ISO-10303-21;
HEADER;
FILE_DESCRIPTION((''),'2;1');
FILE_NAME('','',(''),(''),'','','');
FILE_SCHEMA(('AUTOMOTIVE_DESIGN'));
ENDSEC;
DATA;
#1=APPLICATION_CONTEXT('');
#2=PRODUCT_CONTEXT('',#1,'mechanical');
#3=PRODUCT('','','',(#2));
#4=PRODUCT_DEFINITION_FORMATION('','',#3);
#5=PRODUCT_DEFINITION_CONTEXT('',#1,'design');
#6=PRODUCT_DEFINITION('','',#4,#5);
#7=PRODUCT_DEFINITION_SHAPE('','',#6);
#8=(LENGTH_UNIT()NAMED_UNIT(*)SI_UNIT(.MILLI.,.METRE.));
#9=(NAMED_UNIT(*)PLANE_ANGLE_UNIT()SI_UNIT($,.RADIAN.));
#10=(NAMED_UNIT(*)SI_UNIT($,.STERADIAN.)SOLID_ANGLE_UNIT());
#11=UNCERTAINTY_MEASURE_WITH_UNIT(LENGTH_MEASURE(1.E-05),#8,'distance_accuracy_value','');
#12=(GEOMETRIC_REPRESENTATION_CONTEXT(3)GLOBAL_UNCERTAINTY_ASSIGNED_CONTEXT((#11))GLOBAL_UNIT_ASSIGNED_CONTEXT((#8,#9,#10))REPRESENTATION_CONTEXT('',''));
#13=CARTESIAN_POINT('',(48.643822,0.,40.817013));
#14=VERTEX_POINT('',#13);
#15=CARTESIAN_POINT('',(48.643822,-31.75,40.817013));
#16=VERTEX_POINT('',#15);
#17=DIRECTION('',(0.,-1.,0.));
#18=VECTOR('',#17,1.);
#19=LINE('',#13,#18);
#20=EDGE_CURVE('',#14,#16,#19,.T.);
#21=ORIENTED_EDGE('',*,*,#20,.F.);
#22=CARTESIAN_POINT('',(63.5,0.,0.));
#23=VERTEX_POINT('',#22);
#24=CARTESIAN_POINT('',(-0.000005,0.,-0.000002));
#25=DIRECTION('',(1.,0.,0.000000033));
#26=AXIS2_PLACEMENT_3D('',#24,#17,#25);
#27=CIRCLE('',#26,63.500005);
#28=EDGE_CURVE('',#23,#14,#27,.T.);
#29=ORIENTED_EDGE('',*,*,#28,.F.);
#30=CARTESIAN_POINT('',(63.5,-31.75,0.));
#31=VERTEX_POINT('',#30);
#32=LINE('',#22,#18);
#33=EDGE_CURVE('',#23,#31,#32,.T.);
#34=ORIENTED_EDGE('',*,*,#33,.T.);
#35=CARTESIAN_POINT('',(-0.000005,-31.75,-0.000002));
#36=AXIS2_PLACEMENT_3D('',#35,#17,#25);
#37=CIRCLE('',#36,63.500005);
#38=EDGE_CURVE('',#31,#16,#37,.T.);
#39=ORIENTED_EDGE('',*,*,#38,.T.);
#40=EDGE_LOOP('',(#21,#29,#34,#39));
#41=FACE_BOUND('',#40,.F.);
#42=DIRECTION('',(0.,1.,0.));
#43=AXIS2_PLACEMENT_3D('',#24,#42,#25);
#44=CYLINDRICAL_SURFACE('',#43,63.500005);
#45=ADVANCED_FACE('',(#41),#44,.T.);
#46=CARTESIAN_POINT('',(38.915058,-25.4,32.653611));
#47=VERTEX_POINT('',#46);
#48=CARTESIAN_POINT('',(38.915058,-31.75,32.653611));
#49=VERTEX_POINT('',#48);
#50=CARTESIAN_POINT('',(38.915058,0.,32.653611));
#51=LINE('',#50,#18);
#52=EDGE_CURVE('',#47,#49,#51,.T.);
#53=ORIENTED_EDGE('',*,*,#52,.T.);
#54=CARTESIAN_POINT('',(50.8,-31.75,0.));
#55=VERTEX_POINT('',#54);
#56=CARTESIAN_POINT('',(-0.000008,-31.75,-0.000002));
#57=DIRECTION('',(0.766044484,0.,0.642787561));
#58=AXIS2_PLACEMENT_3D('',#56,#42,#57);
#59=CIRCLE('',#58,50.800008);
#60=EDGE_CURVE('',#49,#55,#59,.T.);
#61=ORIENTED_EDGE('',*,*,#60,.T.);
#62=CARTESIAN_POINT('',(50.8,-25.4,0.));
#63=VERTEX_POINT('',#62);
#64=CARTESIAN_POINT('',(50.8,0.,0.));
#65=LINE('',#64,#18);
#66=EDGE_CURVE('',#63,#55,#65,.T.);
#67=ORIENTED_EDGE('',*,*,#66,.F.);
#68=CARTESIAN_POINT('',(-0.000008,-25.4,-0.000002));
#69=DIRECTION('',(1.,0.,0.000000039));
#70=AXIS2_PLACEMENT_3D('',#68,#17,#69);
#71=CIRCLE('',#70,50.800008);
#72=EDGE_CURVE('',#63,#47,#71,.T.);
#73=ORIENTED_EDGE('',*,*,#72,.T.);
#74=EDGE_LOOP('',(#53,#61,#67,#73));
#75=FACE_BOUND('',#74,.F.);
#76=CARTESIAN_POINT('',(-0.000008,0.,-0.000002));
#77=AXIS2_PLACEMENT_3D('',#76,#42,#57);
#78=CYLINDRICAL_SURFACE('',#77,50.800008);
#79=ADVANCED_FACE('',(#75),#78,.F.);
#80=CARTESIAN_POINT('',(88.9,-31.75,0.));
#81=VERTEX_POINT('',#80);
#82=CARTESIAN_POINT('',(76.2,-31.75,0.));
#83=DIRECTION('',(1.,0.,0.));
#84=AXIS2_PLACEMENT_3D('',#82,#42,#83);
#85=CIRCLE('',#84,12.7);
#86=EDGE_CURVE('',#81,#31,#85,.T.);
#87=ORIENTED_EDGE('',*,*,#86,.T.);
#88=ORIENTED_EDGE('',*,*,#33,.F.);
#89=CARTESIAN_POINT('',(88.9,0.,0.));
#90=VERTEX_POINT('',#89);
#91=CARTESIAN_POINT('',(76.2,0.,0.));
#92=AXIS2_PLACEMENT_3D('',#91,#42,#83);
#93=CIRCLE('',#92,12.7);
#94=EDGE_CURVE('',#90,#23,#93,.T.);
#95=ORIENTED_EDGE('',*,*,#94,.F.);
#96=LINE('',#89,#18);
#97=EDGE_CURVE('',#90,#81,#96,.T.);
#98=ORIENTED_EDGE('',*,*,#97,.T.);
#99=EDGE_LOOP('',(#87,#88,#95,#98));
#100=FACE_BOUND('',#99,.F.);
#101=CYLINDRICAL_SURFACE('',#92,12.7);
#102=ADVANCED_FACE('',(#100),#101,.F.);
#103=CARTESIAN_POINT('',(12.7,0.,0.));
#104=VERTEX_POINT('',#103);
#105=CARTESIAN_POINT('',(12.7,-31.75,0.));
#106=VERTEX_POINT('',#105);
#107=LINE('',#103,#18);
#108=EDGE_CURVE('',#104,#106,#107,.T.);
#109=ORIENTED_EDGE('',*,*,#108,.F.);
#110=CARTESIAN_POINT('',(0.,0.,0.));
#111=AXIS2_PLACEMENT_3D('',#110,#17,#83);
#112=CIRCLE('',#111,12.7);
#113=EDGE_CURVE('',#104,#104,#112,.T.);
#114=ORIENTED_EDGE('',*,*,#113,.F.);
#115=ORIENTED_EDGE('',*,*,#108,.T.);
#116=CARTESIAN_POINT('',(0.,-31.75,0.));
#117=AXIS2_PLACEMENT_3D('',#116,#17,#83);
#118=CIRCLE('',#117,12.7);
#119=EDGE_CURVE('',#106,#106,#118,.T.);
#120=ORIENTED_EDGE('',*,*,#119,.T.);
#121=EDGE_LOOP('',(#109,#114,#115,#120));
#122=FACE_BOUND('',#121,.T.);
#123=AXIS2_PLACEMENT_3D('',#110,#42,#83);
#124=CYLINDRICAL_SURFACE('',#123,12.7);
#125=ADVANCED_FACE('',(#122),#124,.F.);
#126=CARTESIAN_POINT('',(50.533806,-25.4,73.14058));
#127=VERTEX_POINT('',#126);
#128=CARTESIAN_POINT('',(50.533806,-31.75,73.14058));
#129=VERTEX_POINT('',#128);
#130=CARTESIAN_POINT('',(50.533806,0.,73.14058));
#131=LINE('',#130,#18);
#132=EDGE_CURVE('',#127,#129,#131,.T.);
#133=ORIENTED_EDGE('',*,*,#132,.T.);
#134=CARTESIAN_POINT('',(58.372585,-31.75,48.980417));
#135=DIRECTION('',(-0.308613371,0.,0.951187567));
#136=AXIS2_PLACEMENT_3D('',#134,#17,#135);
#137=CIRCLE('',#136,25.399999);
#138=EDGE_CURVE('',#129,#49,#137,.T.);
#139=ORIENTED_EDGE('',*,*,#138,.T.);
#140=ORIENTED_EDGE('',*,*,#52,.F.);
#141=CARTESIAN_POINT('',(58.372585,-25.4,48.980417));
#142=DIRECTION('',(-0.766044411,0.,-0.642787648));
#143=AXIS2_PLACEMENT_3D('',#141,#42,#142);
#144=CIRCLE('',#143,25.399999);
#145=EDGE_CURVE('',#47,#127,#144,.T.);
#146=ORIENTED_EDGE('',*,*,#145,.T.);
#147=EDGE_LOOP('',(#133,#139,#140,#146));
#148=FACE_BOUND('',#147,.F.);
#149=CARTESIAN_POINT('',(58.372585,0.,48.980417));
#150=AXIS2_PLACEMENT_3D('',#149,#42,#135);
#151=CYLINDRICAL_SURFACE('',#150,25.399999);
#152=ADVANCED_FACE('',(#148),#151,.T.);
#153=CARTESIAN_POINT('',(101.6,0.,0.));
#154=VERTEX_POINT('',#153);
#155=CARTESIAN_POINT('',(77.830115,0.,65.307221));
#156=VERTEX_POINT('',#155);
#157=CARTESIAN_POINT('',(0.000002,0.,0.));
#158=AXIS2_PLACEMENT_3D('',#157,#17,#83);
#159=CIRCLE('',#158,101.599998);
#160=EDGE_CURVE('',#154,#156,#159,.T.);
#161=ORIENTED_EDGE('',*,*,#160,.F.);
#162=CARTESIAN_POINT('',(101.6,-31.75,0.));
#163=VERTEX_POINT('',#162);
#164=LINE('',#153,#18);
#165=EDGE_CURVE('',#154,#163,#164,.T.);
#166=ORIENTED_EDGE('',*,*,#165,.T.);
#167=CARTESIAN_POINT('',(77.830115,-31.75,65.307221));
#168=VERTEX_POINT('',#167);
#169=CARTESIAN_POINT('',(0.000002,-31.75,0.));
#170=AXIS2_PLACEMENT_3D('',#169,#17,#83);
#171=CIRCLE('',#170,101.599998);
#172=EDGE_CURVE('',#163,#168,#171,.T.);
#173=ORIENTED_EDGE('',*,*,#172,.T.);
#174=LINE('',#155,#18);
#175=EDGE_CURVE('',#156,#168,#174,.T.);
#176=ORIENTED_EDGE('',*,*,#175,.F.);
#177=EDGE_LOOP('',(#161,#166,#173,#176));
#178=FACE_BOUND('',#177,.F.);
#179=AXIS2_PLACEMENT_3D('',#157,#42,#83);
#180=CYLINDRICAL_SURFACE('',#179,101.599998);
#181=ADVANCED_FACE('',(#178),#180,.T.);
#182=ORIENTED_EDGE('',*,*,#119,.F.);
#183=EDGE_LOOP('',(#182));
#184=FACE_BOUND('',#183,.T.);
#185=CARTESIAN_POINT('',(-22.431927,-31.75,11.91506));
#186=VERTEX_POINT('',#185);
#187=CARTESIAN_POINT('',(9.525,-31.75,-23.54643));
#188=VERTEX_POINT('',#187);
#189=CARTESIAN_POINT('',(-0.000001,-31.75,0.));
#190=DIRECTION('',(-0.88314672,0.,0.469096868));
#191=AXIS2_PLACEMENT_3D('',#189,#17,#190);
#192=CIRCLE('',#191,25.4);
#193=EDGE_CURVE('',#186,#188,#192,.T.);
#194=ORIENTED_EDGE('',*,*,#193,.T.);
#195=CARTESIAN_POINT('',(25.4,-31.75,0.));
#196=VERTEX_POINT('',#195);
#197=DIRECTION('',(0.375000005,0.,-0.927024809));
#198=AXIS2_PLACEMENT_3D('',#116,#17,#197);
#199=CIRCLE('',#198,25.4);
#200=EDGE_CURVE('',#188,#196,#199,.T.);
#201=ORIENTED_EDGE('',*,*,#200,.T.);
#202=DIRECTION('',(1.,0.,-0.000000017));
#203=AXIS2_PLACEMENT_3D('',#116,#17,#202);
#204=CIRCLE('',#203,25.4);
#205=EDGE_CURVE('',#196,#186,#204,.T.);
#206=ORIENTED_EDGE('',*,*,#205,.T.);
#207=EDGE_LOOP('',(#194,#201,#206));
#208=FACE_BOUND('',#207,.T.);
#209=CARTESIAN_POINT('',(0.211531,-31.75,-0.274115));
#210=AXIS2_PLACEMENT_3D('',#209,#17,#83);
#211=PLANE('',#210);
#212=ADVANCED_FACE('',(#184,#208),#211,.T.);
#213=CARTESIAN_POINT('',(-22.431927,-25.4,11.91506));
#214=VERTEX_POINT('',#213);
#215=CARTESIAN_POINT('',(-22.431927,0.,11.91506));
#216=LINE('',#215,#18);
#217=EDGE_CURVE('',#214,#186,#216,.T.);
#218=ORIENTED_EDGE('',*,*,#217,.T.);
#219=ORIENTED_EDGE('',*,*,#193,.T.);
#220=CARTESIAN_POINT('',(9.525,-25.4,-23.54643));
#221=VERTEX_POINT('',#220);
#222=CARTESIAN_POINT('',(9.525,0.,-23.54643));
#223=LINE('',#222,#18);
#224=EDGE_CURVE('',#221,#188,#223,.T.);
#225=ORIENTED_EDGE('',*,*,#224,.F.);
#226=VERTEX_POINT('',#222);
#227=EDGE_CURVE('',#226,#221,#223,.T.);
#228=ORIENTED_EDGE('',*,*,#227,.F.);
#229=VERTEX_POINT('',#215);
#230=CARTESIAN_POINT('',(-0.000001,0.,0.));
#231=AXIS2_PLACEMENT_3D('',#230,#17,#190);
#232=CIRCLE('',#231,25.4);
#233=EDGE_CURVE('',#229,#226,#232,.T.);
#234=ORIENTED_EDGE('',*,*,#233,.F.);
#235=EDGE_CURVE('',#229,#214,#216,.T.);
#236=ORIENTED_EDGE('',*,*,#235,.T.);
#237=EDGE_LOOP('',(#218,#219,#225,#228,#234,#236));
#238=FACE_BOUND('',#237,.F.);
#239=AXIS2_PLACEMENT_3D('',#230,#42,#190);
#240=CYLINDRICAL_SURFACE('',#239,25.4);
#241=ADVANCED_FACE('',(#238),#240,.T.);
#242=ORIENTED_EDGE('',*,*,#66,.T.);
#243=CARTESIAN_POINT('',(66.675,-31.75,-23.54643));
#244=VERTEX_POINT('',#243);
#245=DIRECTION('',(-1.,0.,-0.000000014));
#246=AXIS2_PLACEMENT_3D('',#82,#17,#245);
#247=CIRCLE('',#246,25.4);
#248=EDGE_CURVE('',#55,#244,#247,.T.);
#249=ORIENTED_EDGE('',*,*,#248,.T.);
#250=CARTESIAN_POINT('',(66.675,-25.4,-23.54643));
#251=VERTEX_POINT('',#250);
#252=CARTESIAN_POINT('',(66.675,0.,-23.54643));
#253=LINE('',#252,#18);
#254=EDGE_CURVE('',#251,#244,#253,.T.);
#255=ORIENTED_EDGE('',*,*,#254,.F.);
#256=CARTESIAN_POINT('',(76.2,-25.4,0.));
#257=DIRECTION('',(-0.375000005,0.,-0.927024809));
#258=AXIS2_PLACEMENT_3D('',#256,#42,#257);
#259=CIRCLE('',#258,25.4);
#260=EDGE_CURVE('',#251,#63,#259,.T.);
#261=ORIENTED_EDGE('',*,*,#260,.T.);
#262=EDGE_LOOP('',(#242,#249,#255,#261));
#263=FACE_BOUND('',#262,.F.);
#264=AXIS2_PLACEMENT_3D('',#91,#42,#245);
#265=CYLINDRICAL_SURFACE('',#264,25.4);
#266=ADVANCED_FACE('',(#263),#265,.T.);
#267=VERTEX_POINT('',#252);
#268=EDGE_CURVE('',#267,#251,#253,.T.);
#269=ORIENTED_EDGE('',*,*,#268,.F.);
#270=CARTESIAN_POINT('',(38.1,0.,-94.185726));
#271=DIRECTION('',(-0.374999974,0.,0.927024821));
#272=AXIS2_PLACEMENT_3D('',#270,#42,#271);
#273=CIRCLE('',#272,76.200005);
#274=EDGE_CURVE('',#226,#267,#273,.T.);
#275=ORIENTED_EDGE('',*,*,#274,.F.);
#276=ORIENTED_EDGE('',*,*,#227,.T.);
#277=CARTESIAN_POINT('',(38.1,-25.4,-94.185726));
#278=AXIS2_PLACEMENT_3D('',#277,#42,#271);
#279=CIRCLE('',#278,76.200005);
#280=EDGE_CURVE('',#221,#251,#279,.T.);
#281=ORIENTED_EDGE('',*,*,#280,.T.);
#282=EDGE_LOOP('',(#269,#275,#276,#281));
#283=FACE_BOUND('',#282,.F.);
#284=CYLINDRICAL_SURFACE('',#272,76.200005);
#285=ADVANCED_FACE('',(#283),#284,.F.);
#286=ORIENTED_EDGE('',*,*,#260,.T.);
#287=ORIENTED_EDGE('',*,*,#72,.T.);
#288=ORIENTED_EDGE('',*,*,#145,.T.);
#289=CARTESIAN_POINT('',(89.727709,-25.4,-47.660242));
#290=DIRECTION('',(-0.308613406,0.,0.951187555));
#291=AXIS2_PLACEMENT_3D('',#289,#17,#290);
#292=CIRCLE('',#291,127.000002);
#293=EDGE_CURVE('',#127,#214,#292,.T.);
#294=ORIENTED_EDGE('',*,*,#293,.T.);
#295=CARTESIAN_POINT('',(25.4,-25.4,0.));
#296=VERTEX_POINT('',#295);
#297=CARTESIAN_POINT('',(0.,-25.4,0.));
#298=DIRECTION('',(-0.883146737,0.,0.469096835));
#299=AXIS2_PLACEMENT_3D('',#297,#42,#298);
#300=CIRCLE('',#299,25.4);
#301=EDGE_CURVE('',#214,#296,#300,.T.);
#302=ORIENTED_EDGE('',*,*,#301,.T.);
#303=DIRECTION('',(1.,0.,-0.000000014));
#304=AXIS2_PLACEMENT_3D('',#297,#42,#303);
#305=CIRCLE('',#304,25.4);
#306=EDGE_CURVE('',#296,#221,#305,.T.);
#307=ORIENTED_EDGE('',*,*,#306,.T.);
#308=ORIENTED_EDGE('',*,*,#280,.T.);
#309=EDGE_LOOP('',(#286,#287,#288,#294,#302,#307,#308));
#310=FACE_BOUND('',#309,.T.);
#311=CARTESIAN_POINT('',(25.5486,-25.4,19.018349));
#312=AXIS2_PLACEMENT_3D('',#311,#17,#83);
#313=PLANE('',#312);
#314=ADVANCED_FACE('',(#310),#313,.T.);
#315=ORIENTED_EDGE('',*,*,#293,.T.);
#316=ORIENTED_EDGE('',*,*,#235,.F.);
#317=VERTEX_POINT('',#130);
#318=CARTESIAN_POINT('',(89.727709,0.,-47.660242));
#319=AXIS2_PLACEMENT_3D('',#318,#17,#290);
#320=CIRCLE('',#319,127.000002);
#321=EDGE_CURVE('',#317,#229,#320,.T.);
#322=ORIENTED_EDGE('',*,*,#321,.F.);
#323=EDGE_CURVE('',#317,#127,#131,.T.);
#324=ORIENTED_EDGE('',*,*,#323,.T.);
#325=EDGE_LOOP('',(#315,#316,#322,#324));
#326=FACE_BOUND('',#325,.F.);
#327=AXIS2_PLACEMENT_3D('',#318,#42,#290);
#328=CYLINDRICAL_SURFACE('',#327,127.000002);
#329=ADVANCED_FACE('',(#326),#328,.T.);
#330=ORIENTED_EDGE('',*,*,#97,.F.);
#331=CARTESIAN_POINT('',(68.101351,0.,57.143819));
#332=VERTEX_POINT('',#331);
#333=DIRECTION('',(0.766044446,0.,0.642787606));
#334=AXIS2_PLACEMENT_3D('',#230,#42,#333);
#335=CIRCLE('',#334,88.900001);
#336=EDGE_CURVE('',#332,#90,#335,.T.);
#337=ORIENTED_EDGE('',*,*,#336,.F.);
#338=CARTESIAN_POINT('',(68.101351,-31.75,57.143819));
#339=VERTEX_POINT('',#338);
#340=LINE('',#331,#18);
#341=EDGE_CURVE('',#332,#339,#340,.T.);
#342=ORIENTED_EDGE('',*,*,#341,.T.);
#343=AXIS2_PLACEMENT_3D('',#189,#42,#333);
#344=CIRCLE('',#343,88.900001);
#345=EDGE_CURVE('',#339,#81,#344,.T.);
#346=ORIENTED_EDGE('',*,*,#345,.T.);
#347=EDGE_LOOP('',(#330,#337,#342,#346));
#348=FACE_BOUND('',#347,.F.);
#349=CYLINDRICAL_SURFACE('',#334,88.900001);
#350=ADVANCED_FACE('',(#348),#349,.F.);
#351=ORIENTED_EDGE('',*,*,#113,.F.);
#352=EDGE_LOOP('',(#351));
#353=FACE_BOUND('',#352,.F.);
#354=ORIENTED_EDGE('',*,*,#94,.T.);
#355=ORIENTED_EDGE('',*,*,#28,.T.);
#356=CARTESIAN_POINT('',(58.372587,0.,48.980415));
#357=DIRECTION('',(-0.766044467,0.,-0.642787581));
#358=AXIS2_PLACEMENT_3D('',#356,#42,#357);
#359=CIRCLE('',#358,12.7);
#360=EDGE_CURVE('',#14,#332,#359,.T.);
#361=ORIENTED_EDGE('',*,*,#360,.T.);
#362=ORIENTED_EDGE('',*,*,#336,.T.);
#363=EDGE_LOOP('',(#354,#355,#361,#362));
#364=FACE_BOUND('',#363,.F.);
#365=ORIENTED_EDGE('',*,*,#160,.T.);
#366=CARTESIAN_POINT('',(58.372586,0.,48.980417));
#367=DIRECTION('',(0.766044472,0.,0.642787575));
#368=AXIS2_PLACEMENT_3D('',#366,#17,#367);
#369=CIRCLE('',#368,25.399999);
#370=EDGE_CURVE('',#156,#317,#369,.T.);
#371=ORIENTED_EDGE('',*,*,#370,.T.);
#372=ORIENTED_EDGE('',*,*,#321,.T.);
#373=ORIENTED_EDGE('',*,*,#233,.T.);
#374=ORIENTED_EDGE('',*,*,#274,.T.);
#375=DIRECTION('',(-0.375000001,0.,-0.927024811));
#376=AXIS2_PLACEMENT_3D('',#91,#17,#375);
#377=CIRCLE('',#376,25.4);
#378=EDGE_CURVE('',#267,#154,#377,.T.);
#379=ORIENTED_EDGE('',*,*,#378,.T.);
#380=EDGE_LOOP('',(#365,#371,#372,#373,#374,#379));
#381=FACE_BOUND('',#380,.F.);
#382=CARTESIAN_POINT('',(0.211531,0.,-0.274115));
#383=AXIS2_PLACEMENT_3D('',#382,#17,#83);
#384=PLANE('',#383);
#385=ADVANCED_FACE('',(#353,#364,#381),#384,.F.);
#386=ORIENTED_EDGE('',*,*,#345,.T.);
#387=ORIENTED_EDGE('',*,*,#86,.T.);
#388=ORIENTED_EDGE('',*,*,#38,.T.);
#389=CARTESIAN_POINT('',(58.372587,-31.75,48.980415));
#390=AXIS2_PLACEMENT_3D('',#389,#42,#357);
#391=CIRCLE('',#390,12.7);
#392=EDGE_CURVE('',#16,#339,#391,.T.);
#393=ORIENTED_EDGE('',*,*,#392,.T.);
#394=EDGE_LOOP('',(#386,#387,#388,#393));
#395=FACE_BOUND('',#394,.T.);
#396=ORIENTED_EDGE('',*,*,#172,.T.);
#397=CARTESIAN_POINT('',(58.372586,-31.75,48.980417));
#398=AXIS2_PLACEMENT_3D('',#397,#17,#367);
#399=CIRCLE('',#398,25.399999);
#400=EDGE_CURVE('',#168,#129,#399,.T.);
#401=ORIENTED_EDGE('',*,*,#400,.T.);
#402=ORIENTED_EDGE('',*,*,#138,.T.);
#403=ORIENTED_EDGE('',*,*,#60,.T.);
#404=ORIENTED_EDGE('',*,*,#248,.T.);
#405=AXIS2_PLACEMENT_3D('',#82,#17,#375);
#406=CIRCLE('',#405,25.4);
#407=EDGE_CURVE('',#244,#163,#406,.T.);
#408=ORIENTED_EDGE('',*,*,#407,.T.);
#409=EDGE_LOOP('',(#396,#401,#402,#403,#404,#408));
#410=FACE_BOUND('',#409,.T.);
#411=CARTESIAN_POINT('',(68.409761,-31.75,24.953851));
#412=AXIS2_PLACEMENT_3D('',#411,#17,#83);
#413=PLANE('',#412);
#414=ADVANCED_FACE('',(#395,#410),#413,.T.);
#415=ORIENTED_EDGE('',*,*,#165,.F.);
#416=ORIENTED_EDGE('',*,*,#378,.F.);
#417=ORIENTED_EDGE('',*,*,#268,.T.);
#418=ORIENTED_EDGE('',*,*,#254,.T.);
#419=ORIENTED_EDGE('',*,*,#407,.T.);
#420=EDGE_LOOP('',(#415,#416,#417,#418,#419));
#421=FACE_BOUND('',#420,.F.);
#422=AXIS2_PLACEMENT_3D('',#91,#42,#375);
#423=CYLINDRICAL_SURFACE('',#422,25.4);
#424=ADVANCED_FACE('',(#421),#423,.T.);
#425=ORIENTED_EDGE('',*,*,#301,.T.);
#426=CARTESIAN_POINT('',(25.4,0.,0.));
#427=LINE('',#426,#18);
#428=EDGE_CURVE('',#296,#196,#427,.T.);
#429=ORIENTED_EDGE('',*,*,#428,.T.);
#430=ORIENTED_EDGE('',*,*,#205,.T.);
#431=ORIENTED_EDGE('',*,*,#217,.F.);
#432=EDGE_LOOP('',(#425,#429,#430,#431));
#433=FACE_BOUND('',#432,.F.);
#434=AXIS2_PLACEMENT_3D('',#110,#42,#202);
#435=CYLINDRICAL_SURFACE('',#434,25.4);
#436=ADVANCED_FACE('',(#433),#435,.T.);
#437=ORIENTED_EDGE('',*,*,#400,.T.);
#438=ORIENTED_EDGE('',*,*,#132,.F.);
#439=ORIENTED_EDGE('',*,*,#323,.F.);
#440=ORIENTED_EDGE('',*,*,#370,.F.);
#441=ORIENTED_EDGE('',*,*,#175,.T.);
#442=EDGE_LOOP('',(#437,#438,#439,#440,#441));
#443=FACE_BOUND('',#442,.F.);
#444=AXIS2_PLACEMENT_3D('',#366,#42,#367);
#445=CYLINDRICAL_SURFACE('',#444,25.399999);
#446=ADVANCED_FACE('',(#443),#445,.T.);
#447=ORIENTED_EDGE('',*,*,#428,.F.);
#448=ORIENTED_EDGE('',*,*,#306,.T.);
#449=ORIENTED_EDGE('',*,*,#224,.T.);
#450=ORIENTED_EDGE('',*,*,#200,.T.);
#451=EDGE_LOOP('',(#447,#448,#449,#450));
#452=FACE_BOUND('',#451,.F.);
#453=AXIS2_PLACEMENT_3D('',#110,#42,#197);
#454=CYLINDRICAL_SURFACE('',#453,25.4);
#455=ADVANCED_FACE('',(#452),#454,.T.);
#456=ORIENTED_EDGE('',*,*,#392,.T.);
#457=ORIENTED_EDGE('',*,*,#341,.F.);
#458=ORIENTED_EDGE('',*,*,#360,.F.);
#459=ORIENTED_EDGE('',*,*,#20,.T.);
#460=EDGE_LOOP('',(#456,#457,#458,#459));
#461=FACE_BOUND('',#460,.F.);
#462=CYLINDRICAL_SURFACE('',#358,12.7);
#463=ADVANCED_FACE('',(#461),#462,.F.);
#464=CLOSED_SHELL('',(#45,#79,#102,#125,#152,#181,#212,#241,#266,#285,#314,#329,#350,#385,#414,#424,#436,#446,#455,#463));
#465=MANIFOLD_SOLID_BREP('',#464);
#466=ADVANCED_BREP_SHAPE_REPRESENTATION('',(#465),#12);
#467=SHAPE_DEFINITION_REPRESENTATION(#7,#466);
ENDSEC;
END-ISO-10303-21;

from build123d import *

# Parameters (mm, degrees)
F1_DEPTH = 25.4
F0_R     = 12.7
F2_DEPTH = 31.75


with BuildPart() as f1:
    # F0 (on Front) → F1 (new body)
    with BuildSketch(Plane.XZ):
        with BuildLine():
            ThreePointArc((-22.431927, 11.91506), (6.139587, 24.646815), (25.4, 0))
            ThreePointArc((25.4, 0), (21.060567, -14.199032), (9.525, -23.54643))
            ThreePointArc((9.525, -23.54643), (38.1, -17.985721), (66.675, -23.54643))
            ThreePointArc((66.675, -23.54643), (55.139433, -14.199032), (50.8, 0))
            ThreePointArc((50.8, 0), (47.736385, 17.374623), (38.915058, 32.653611))
            ThreePointArc((38.915058, 32.653611), (33.958025, 55.986785), (50.533806, 73.14058))
            ThreePointArc((50.533806, 73.14058), (8.093681, 49.627404), (-22.431927, 11.91506))
        make_face()
    extrude(amount=F1_DEPTH)

    # F0 (on Front) → F2 (join)
    with BuildSketch(Plane.XZ):
        with BuildLine():
            ThreePointArc((9.525, -23.54643), (21.060567, -14.199032), (25.4, 0))
            ThreePointArc((25.4, 0), (6.139587, 24.646815), (-22.431927, 11.91506))
            ThreePointArc((-22.431927, 11.91506), (-18.868665, -17.003926), (9.525, -23.54643))
        make_face()
        Circle(F0_R, mode=Mode.SUBTRACT)
        with BuildLine():
            ThreePointArc((77.830115, 65.307221), (65.378956, 73.394977), (50.533806, 73.14058))
            ThreePointArc((50.533806, 73.14058), (33.958025, 55.986785), (38.915058, 32.653611))
            ThreePointArc((38.915058, 32.653611), (47.736385, 17.374623), (50.8, 0))
            ThreePointArc((50.8, 0), (55.139433, -14.199032), (66.675, -23.54643))
            ThreePointArc((66.675, -23.54643), (90.399032, -21.060567), (101.6, 0))
            ThreePointArc((101.6, 0), (95.47277, 34.749247), (77.830115, 65.307221))
        make_face()
        with BuildLine():
            ThreePointArc((88.9, 0), (76.2, -12.7), (63.5, 0))
            ThreePointArc((63.5, 0), (59.670481, 21.718279), (48.643822, 40.817013))
            ThreePointArc((48.643822, 40.817013), (50.209184, 58.70918), (68.101351, 57.143819))
            ThreePointArc((68.101351, 57.143819), (83.538674, 30.405591), (88.9, 0))
        make_face(mode=Mode.SUBTRACT)
    extrude(amount=F2_DEPTH)


solid = f1.part
